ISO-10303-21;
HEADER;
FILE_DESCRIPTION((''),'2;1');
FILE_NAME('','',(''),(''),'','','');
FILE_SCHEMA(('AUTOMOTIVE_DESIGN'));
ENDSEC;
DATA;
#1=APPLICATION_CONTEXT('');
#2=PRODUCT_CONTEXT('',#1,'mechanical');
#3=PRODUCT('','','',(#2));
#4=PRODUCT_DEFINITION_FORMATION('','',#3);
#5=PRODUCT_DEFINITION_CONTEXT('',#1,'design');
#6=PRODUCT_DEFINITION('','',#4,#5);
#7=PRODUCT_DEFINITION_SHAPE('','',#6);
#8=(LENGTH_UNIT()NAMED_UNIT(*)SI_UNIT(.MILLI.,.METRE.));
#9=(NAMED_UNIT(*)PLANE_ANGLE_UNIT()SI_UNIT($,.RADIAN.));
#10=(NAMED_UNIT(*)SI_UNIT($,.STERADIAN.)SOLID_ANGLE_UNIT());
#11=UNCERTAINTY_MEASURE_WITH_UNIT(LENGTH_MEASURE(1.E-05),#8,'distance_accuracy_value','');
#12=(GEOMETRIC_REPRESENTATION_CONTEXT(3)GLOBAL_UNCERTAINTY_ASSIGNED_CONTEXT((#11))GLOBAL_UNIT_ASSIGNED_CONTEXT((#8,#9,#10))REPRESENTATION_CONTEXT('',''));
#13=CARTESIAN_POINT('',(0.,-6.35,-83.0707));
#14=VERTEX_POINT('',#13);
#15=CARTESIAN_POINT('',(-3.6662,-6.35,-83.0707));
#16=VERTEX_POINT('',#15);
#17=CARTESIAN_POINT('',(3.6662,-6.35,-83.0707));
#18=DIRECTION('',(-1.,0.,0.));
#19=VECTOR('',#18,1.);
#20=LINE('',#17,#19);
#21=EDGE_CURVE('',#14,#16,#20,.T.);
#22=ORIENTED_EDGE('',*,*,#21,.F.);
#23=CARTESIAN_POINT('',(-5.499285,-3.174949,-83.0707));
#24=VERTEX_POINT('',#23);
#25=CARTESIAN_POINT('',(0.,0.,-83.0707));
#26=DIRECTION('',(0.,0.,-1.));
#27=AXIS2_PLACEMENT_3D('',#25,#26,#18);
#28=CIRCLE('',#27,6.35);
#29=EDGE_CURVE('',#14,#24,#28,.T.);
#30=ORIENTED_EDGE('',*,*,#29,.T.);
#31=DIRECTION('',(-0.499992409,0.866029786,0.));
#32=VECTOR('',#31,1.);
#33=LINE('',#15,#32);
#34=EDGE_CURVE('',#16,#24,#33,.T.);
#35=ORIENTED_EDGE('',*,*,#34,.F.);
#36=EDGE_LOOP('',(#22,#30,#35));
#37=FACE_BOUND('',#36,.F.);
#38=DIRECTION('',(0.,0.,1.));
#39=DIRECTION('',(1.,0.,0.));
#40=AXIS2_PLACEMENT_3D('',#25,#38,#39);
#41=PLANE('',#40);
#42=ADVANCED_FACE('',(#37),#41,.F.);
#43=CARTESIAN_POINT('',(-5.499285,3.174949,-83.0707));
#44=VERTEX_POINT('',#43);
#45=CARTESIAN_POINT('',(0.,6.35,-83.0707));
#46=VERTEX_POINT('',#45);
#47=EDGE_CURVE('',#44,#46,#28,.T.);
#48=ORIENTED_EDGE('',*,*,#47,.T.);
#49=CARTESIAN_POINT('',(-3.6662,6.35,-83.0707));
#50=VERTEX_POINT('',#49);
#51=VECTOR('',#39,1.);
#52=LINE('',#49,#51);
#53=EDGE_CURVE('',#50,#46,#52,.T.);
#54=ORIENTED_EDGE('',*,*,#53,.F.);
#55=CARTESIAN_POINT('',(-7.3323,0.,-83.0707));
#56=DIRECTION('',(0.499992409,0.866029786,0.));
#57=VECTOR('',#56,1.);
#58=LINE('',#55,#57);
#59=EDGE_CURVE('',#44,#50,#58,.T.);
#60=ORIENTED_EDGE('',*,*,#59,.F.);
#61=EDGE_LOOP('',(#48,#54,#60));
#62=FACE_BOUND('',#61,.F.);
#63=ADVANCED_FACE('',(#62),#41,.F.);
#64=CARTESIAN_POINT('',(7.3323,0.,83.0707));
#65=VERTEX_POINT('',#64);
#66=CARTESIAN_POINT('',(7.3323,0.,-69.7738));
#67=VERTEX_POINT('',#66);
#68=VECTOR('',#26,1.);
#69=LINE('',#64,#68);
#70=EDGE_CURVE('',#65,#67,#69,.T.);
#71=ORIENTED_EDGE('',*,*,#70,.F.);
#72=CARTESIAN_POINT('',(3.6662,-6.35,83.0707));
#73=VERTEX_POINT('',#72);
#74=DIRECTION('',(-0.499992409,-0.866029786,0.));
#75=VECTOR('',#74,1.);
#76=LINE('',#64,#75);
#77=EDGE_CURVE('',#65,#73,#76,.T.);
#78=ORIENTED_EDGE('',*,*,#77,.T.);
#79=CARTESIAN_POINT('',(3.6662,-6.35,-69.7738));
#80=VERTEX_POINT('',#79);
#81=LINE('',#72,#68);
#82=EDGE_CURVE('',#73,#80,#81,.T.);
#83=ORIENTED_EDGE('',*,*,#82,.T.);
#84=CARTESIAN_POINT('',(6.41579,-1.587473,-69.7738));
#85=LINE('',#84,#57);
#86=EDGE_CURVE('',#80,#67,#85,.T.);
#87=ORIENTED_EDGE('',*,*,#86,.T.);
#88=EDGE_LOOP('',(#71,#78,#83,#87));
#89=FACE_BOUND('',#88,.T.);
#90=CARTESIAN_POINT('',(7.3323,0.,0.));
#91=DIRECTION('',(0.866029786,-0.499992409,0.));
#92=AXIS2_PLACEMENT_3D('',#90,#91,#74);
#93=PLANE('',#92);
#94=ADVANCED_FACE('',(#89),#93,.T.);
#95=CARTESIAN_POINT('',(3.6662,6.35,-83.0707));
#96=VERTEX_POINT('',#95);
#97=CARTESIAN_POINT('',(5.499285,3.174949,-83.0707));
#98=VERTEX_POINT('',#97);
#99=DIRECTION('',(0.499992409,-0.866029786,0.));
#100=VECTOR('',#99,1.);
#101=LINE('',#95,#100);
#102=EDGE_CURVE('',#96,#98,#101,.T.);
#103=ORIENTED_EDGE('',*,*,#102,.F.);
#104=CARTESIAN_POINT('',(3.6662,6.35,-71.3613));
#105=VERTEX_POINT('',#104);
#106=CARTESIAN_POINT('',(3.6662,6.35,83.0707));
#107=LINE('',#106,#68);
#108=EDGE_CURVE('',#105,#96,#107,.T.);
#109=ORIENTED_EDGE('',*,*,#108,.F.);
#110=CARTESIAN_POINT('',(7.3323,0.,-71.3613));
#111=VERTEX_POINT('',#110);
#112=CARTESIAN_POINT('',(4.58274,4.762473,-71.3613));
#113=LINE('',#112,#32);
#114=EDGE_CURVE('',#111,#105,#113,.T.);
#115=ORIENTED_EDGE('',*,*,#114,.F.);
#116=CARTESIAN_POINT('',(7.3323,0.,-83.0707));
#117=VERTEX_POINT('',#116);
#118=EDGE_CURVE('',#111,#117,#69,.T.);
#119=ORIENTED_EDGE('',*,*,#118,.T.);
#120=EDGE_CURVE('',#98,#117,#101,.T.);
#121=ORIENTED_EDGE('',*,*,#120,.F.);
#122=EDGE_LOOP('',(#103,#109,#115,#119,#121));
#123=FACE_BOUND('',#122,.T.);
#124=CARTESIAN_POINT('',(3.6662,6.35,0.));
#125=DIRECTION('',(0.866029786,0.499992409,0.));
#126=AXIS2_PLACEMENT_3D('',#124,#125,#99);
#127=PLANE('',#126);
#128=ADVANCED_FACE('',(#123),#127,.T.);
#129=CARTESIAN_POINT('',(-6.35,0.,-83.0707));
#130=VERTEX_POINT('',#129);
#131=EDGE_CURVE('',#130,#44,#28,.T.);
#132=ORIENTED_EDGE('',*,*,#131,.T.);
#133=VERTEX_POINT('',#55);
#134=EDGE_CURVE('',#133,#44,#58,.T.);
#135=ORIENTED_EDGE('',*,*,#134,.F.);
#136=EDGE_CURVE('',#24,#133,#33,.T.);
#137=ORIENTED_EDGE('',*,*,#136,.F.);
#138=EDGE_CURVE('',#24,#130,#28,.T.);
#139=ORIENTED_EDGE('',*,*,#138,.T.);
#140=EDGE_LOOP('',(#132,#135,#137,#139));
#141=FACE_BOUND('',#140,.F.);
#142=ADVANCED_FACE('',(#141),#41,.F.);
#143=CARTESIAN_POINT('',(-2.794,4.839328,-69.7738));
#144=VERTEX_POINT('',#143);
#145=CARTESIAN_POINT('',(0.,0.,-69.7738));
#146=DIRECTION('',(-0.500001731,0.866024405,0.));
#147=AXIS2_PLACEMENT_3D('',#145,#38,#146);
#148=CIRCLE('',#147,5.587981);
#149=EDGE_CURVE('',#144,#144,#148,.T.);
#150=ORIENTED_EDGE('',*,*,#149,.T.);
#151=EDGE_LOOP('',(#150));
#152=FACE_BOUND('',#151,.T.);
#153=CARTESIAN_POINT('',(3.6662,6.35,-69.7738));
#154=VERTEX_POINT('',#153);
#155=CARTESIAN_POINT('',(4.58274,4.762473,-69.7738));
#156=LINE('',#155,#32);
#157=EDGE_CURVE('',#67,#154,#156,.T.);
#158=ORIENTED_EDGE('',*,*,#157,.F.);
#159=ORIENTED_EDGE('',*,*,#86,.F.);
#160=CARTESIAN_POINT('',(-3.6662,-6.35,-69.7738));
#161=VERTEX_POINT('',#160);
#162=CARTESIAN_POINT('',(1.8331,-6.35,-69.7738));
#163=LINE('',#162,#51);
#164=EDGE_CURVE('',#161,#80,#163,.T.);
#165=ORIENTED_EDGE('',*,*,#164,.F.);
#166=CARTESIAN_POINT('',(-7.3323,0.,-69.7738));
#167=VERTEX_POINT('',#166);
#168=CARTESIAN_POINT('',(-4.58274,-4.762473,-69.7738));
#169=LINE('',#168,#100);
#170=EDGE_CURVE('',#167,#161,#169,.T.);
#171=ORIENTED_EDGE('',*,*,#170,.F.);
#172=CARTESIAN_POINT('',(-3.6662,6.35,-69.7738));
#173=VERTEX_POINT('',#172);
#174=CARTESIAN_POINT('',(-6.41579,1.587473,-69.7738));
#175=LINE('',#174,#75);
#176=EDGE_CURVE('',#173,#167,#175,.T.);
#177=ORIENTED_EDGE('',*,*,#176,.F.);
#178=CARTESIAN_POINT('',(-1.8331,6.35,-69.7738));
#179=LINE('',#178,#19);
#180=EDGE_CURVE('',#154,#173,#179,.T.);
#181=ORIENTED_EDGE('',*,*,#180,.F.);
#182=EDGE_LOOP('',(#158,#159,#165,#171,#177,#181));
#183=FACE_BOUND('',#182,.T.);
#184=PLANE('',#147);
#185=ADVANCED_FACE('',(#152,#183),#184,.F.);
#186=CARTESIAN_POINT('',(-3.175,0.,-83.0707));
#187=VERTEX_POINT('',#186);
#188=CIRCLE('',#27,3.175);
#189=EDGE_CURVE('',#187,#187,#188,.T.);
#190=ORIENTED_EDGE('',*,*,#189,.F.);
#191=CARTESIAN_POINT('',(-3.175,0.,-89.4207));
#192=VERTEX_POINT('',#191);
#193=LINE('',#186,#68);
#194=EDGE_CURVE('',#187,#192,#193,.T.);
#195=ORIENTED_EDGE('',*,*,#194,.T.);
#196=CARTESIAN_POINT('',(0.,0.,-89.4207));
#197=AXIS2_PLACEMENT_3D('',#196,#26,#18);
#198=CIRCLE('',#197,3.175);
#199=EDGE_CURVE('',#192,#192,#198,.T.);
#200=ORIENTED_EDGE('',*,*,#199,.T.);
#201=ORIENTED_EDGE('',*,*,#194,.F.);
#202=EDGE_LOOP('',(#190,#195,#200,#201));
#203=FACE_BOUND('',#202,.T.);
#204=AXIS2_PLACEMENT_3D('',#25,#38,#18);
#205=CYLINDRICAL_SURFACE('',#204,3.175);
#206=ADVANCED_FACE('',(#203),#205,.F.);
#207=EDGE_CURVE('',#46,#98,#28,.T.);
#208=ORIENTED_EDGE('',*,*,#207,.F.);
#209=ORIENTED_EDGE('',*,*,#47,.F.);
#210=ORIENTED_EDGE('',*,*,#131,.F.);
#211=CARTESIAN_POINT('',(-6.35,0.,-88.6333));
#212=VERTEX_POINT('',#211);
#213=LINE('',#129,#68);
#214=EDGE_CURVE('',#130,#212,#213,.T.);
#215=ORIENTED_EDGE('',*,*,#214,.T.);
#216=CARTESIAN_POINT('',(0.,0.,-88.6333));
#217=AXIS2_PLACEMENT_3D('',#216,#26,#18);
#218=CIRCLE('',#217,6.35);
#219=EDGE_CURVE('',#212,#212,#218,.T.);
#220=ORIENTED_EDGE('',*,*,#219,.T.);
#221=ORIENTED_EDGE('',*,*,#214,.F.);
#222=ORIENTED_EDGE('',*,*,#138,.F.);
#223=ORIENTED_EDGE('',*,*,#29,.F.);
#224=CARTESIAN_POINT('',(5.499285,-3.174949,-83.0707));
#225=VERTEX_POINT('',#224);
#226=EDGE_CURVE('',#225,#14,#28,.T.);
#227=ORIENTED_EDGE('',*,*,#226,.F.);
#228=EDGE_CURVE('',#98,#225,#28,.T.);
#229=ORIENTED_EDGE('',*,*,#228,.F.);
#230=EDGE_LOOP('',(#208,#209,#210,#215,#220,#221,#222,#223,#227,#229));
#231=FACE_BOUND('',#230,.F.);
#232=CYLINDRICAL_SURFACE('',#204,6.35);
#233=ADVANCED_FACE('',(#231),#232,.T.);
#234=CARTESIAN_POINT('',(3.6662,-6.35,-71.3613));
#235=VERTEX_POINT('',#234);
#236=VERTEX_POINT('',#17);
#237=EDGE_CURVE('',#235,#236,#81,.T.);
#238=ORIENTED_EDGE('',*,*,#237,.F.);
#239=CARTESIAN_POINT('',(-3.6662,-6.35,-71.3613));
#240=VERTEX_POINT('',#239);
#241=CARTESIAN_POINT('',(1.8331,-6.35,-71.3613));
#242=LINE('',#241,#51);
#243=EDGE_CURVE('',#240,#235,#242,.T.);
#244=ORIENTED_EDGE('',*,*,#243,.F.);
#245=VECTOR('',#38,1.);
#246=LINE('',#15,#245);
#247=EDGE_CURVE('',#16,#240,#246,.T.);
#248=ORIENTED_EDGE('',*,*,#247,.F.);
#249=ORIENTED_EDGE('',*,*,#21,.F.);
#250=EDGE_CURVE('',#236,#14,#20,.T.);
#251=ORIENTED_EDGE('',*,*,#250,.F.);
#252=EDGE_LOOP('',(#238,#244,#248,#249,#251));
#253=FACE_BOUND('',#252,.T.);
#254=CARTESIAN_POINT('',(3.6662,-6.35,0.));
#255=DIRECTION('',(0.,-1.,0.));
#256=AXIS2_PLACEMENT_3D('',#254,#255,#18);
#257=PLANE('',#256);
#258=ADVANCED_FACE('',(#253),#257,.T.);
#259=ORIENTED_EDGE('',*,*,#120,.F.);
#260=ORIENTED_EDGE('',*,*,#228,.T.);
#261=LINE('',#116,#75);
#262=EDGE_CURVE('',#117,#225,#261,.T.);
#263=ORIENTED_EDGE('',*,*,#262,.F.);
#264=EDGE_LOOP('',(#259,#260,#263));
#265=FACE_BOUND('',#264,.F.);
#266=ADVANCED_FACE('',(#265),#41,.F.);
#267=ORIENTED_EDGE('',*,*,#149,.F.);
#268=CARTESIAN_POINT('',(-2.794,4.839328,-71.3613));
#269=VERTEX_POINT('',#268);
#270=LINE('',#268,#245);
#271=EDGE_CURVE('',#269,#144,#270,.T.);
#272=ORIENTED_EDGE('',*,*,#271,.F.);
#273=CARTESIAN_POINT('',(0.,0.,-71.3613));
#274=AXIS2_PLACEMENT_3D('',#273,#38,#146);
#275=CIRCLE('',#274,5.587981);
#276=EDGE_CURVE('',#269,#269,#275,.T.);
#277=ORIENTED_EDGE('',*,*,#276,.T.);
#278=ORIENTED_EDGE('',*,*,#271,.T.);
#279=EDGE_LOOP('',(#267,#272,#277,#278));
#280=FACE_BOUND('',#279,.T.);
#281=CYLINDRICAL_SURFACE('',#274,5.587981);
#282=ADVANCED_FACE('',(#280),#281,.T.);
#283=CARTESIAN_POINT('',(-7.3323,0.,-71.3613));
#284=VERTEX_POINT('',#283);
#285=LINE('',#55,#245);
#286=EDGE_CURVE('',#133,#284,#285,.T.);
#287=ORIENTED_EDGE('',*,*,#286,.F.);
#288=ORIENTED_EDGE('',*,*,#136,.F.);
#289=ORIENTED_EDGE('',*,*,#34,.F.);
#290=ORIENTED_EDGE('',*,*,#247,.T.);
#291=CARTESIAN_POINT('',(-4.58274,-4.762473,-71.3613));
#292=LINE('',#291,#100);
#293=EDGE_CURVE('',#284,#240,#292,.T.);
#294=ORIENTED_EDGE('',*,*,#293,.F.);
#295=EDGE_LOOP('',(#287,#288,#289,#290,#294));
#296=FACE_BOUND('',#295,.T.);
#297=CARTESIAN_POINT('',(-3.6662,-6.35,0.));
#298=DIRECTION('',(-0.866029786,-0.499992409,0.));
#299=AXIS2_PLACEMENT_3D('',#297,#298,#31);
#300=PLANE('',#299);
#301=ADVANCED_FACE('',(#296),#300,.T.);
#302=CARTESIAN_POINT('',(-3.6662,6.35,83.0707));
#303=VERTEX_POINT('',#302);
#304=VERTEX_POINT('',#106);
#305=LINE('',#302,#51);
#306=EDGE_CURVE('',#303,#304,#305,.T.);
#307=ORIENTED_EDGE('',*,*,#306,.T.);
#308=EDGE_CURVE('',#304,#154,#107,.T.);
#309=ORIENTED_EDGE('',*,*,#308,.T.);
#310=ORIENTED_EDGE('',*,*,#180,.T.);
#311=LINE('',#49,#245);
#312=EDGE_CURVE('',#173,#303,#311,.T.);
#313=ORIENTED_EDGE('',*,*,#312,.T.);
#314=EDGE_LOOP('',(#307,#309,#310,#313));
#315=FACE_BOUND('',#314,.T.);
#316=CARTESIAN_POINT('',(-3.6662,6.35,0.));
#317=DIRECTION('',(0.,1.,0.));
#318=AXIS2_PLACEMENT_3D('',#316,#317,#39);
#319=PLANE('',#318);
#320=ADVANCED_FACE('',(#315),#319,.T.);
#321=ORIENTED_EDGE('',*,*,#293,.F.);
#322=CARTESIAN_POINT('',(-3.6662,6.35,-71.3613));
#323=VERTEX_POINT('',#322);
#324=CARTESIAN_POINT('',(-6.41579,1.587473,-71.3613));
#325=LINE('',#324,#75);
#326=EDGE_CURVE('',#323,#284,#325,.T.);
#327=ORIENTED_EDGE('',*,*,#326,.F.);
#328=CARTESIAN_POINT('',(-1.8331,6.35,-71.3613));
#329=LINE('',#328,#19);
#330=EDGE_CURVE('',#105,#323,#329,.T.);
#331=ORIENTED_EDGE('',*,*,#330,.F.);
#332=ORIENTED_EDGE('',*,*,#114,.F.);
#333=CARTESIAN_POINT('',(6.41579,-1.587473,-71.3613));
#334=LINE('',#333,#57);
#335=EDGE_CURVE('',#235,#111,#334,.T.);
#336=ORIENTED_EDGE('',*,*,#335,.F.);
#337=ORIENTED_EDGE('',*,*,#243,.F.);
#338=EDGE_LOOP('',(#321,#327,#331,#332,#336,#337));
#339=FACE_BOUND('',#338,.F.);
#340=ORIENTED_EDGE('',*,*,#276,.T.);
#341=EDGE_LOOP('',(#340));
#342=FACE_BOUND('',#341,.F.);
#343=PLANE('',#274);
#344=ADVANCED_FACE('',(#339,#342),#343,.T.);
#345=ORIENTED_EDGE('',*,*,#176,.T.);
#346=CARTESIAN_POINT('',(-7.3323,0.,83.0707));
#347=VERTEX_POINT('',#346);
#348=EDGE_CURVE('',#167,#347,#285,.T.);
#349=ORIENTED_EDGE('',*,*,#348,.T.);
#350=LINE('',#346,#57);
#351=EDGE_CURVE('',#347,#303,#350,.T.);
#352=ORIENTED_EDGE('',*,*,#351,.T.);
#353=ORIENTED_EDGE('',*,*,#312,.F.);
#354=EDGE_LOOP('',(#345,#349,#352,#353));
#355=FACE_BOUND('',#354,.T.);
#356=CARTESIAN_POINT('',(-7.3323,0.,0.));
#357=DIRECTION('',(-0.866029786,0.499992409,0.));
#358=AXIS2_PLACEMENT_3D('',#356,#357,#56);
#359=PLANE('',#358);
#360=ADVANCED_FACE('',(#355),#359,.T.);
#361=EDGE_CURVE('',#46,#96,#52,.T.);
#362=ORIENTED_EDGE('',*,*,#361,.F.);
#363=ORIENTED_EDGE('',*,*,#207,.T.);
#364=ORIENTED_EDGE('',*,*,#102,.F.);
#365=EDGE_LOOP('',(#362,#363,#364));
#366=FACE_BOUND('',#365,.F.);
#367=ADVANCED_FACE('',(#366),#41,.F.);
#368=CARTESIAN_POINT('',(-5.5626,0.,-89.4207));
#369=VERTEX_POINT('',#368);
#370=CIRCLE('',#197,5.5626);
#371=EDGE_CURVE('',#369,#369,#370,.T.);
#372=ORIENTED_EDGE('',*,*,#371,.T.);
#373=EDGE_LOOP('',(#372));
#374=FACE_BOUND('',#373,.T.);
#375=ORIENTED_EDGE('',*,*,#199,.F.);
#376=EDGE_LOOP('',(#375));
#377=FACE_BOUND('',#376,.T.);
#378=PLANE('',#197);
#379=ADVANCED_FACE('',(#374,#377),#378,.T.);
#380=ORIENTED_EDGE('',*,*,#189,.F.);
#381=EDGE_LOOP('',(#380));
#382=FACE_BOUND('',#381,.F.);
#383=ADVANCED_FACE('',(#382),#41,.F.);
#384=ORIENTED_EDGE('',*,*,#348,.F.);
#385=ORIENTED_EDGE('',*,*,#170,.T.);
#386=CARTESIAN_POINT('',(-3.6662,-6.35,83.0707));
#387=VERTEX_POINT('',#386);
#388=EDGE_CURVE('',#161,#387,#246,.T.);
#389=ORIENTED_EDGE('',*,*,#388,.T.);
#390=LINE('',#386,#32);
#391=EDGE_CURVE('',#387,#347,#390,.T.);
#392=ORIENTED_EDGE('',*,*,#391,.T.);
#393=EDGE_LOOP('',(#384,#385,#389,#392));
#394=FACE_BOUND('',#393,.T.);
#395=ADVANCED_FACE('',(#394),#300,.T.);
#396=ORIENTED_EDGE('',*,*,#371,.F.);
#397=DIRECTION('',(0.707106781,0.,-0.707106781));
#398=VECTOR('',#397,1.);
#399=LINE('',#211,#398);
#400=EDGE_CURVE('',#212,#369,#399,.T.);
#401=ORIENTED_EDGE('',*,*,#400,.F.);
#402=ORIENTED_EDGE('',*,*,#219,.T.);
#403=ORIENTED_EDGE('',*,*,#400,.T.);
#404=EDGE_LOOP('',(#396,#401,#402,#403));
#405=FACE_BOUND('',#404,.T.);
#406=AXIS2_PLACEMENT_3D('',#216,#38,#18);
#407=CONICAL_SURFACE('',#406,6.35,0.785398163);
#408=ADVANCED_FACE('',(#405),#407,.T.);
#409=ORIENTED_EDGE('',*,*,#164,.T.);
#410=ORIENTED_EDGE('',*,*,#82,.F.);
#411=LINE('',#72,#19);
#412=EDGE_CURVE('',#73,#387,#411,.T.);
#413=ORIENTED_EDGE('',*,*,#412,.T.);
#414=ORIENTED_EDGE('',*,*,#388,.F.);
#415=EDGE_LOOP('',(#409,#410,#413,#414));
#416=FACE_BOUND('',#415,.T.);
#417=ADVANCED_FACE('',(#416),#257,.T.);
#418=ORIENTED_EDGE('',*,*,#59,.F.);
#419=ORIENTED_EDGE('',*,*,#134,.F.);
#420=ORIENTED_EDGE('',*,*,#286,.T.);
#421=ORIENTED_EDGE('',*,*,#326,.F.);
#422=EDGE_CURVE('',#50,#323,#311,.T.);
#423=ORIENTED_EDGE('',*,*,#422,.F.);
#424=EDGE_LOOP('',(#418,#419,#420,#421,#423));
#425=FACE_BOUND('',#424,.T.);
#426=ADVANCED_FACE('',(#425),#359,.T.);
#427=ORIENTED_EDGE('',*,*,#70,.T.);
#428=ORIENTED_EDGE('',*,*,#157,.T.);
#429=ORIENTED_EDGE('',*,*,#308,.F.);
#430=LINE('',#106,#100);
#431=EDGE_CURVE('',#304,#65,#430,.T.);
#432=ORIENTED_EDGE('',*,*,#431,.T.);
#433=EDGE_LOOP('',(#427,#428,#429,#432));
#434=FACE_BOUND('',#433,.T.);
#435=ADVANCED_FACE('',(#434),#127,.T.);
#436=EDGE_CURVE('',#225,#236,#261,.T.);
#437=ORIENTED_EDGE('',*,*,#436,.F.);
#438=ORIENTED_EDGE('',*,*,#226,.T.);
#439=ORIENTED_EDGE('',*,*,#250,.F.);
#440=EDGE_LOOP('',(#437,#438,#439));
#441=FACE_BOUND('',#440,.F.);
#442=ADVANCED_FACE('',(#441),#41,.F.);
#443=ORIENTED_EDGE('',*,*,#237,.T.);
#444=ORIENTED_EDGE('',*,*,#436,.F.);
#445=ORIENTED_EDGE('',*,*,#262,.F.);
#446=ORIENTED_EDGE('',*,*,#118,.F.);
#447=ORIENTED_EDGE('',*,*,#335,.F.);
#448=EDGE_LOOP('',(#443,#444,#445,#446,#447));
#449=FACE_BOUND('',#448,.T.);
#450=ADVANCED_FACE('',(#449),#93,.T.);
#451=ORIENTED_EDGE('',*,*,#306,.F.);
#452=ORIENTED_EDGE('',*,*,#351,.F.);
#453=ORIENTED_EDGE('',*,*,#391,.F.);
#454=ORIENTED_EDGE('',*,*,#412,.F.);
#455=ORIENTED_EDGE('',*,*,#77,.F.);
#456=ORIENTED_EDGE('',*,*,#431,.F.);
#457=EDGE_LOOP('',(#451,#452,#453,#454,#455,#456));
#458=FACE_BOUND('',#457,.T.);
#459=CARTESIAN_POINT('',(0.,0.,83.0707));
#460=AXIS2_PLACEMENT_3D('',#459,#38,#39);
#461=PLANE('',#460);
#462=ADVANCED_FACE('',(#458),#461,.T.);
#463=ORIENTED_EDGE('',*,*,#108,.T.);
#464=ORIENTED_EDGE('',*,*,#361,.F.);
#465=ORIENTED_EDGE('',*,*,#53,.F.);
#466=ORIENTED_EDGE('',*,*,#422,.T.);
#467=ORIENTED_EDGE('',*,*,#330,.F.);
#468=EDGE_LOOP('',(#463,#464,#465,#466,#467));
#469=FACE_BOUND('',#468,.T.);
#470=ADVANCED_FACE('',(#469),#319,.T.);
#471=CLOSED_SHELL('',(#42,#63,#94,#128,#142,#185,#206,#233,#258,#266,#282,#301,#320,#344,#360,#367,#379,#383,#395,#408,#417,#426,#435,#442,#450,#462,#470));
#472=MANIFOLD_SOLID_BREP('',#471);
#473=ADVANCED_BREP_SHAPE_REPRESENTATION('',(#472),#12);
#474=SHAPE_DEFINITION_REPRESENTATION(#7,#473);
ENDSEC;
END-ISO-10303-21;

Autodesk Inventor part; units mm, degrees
ref_plane "YZ Plane" through (0, 0, 0) normal (1, 0, 0) x (0, 1, 0)
ref_plane "XZ Plane" through (0, 0, 0) normal (0, 1, 0) x (-1, 0, 0)
sketch "Sketch1" plane through (0, 0, 0) normal (0, 0, 1) x (1, 0, 0)
  line L0 (-3.6662, 6.35) -> (3.6662, 6.35)
  line L1 (3.6662, 6.35) -> (7.3323, 0)
  line L2 (7.3323, 0) -> (3.6662, -6.35)
  line L3 (3.6662, -6.35) -> (-3.6662, -6.35)
  line L4 (-3.6662, -6.35) -> (-7.3323, 0)
  line L5 (-7.3323, 0) -> (-3.6662, 6.35)
  point P0 (0, 0)
  point P1 (0, 0)
  dimension "d0" = 7.3323
extrude "Extrusion1" add sketch "Sketch1" along normal mid plane 166.1414
sketch "Sketch2" plane through (0, 0, -83.0707) normal (0, 0, -1) x (-1, 0, 0)
  circle A0 centre (0, 0) radius 3.175
  circle A1 centre (0, 0) radius 6.35
  dimension "d3" = 6.35
  dimension "d4" = 12.7
extrude "Extrusion2" add sketch "Sketch2" along normal blind 6.35
chamfer "Chamfer1" distance 0.7874 angle 45 1 edges at (6.35, 0, -89.4207)
ref_plane "Work Plane1" through (-1.8331, 3.175, 83.0707) normal (0.866, 0.5, 0) x (0, 0, -1)
sketch "Sketch3" plane through (-1.8331, 3.175, 83.0707) normal (0.866, 0.5, 0) x (0, 0, -1)
  line L0 (166.1414, -3.6662) -> (166.1414, 0) projected
  line L1 (154.432, 1.9218) -> (154.432, 5.7318)
  line L2 (152.8445, 1.9218) -> (152.8445, 5.7318)
  line L3 (154.432, 1.9218) -> (159.062, 1.9218) construction
  line L4 (166.1414, -3.6662) -> (163.6991, -3.6662)
  line L5 (154.432, 5.7318) -> (152.8445, 5.7318)
  line L6 (154.432, 1.9218) -> (152.8445, 1.9218)
  point P0 (83.0707, -3.6662)
  dimension "d10" = 11.7094
  dimension "d11" = 1.5875
  dimension "d12" = 5.588
  dimension "d13" = 3.81
revolve "Revolution1" cut sketch "Sketch3" angle 360 about axis through (0, 0, -83.0707) along (0, 0, 1)
properties part number "Gearbox_hex_shaft"
